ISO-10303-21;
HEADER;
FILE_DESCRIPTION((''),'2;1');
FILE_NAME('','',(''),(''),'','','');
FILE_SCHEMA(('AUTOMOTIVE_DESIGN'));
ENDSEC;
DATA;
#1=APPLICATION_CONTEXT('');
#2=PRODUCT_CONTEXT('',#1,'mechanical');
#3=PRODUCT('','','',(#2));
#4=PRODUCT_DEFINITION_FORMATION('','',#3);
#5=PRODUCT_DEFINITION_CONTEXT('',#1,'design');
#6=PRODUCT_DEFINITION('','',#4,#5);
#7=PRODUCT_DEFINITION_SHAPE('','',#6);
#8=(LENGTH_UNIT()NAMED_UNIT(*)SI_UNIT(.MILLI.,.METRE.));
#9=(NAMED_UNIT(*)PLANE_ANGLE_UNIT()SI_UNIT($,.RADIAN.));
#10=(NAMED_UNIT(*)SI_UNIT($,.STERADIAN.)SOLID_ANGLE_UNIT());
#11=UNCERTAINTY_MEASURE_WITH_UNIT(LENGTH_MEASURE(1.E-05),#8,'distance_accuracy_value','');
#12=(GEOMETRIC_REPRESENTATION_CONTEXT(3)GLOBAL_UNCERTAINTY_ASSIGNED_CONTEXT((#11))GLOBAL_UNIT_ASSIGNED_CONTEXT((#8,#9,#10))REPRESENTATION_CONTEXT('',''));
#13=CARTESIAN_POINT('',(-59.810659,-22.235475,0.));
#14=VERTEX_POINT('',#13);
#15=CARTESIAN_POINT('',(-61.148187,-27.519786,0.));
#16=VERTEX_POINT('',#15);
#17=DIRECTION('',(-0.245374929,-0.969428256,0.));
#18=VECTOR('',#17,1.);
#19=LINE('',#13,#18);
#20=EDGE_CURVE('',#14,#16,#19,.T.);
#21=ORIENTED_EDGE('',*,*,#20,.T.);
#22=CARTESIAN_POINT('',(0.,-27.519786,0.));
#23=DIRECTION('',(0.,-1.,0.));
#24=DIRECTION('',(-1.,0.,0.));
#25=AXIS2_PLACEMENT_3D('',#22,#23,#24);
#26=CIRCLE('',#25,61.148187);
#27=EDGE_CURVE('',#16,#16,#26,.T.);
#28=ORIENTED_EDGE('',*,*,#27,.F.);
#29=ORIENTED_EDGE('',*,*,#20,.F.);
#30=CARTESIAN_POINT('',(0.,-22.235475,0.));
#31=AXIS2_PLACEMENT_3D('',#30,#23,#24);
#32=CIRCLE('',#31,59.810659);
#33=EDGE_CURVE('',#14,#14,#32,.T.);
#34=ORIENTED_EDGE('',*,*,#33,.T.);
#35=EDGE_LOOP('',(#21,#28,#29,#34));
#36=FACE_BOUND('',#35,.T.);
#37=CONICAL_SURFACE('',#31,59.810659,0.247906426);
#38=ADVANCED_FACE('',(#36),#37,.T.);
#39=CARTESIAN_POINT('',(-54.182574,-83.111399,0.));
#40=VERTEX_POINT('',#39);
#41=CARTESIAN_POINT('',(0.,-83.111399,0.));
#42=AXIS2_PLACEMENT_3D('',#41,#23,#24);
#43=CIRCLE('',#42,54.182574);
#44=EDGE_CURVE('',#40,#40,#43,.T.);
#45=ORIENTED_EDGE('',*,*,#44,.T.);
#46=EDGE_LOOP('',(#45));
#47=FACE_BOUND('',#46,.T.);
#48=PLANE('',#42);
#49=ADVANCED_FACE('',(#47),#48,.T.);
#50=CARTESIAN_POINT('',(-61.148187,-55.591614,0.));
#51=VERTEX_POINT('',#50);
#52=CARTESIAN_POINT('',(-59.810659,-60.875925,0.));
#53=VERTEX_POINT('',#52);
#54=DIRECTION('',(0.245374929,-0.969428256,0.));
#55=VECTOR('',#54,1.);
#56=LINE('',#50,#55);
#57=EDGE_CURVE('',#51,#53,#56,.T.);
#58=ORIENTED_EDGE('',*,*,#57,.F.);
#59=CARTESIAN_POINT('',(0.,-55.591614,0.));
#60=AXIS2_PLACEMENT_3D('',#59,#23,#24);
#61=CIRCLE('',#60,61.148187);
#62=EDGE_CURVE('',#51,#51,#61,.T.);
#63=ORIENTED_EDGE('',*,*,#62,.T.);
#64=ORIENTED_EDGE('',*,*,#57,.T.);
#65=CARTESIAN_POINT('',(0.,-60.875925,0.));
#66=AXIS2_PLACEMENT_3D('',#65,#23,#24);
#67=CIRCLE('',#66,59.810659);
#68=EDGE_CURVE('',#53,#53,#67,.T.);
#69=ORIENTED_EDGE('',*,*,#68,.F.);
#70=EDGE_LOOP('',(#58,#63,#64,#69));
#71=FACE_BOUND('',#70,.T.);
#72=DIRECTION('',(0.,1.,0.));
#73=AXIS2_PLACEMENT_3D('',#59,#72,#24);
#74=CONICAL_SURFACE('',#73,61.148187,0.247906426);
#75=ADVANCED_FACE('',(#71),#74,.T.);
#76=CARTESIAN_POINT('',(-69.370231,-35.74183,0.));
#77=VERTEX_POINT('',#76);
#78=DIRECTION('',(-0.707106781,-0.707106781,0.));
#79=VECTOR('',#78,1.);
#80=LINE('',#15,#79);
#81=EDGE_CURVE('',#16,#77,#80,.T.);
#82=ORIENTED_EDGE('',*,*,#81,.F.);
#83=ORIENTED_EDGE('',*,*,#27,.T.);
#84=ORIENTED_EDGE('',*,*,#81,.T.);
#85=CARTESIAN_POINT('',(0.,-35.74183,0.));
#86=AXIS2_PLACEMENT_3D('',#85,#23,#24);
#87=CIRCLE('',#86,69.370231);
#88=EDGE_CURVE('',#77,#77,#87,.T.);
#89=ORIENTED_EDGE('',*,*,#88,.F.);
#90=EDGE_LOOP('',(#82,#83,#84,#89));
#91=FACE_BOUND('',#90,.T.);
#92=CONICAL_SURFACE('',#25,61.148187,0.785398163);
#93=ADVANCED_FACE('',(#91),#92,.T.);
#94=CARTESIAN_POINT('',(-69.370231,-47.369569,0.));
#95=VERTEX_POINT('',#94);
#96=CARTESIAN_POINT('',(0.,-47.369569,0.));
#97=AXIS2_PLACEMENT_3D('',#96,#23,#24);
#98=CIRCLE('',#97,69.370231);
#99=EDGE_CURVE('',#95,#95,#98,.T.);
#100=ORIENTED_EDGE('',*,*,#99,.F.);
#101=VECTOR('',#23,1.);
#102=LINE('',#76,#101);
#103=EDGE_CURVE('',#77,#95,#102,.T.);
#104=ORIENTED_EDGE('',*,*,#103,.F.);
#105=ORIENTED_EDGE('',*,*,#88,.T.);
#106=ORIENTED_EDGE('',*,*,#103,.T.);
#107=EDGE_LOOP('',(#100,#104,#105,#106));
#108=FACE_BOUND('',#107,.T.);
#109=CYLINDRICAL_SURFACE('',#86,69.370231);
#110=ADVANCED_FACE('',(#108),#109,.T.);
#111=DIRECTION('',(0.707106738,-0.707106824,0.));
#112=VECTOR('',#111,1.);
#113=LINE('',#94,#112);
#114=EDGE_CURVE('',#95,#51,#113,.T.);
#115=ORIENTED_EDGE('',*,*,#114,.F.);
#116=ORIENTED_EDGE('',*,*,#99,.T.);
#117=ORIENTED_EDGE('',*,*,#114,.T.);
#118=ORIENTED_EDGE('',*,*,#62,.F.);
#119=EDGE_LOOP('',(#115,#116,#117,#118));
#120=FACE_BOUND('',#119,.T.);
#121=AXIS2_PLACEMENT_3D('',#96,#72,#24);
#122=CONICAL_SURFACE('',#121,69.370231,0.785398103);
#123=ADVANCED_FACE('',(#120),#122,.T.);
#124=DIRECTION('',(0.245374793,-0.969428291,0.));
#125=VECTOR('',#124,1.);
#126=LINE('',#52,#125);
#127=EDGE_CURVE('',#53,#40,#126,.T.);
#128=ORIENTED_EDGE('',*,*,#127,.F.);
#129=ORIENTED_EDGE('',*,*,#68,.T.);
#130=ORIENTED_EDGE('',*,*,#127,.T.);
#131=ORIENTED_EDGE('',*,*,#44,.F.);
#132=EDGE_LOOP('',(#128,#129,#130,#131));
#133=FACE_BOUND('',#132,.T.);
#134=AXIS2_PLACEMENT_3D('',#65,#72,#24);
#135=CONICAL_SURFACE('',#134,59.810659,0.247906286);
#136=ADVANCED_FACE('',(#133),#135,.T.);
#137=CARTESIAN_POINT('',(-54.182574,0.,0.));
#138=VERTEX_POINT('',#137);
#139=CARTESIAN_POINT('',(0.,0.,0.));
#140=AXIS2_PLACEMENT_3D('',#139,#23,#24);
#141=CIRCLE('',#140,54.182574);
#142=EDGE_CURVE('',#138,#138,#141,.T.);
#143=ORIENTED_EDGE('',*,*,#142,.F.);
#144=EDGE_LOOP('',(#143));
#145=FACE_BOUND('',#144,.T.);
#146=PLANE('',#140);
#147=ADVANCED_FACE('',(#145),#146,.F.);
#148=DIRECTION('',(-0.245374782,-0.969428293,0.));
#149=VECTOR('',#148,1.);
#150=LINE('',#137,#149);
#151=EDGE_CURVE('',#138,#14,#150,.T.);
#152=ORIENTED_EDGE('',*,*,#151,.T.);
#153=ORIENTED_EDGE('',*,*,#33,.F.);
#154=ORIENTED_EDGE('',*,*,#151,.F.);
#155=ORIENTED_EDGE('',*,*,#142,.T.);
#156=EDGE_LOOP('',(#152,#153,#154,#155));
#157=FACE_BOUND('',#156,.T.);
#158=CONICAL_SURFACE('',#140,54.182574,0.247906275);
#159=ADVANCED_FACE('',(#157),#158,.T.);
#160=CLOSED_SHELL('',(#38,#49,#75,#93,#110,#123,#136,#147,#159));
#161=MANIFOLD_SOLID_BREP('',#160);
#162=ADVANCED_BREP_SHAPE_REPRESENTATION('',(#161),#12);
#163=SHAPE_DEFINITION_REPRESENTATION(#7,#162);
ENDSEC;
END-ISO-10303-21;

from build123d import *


with BuildPart() as f1:
    # F0 (on Top) → F1 (revolve)
    with BuildSketch(Plane.XY):
        Polygon((0, -22.373166), (0, 0), (-54.182574, 0), (-59.810659, -22.235475), (-61.148187, -27.519786), (0, -27.519786), align=None)
        Polygon((0, -41.5557), (0, -27.519786), (-61.148187, -27.519786), (-69.370231, -35.74183), (-69.370231, -41.5557), align=None)
        Polygon((0, -47.975048), (0, -41.5557), (-69.370231, -41.5557), (-69.370231, -47.369569), (-61.148187, -55.591614), (0, -55.591614), align=None)
        Polygon((0, -83.111399), (0, -55.591614), (-61.148187, -55.591614), (-59.810659, -60.875925), (-54.182574, -83.111399), align=None)
    revolve(axis=Axis((0, -11.186583, 0), (0, -1, 0)))


solid = f1.part
